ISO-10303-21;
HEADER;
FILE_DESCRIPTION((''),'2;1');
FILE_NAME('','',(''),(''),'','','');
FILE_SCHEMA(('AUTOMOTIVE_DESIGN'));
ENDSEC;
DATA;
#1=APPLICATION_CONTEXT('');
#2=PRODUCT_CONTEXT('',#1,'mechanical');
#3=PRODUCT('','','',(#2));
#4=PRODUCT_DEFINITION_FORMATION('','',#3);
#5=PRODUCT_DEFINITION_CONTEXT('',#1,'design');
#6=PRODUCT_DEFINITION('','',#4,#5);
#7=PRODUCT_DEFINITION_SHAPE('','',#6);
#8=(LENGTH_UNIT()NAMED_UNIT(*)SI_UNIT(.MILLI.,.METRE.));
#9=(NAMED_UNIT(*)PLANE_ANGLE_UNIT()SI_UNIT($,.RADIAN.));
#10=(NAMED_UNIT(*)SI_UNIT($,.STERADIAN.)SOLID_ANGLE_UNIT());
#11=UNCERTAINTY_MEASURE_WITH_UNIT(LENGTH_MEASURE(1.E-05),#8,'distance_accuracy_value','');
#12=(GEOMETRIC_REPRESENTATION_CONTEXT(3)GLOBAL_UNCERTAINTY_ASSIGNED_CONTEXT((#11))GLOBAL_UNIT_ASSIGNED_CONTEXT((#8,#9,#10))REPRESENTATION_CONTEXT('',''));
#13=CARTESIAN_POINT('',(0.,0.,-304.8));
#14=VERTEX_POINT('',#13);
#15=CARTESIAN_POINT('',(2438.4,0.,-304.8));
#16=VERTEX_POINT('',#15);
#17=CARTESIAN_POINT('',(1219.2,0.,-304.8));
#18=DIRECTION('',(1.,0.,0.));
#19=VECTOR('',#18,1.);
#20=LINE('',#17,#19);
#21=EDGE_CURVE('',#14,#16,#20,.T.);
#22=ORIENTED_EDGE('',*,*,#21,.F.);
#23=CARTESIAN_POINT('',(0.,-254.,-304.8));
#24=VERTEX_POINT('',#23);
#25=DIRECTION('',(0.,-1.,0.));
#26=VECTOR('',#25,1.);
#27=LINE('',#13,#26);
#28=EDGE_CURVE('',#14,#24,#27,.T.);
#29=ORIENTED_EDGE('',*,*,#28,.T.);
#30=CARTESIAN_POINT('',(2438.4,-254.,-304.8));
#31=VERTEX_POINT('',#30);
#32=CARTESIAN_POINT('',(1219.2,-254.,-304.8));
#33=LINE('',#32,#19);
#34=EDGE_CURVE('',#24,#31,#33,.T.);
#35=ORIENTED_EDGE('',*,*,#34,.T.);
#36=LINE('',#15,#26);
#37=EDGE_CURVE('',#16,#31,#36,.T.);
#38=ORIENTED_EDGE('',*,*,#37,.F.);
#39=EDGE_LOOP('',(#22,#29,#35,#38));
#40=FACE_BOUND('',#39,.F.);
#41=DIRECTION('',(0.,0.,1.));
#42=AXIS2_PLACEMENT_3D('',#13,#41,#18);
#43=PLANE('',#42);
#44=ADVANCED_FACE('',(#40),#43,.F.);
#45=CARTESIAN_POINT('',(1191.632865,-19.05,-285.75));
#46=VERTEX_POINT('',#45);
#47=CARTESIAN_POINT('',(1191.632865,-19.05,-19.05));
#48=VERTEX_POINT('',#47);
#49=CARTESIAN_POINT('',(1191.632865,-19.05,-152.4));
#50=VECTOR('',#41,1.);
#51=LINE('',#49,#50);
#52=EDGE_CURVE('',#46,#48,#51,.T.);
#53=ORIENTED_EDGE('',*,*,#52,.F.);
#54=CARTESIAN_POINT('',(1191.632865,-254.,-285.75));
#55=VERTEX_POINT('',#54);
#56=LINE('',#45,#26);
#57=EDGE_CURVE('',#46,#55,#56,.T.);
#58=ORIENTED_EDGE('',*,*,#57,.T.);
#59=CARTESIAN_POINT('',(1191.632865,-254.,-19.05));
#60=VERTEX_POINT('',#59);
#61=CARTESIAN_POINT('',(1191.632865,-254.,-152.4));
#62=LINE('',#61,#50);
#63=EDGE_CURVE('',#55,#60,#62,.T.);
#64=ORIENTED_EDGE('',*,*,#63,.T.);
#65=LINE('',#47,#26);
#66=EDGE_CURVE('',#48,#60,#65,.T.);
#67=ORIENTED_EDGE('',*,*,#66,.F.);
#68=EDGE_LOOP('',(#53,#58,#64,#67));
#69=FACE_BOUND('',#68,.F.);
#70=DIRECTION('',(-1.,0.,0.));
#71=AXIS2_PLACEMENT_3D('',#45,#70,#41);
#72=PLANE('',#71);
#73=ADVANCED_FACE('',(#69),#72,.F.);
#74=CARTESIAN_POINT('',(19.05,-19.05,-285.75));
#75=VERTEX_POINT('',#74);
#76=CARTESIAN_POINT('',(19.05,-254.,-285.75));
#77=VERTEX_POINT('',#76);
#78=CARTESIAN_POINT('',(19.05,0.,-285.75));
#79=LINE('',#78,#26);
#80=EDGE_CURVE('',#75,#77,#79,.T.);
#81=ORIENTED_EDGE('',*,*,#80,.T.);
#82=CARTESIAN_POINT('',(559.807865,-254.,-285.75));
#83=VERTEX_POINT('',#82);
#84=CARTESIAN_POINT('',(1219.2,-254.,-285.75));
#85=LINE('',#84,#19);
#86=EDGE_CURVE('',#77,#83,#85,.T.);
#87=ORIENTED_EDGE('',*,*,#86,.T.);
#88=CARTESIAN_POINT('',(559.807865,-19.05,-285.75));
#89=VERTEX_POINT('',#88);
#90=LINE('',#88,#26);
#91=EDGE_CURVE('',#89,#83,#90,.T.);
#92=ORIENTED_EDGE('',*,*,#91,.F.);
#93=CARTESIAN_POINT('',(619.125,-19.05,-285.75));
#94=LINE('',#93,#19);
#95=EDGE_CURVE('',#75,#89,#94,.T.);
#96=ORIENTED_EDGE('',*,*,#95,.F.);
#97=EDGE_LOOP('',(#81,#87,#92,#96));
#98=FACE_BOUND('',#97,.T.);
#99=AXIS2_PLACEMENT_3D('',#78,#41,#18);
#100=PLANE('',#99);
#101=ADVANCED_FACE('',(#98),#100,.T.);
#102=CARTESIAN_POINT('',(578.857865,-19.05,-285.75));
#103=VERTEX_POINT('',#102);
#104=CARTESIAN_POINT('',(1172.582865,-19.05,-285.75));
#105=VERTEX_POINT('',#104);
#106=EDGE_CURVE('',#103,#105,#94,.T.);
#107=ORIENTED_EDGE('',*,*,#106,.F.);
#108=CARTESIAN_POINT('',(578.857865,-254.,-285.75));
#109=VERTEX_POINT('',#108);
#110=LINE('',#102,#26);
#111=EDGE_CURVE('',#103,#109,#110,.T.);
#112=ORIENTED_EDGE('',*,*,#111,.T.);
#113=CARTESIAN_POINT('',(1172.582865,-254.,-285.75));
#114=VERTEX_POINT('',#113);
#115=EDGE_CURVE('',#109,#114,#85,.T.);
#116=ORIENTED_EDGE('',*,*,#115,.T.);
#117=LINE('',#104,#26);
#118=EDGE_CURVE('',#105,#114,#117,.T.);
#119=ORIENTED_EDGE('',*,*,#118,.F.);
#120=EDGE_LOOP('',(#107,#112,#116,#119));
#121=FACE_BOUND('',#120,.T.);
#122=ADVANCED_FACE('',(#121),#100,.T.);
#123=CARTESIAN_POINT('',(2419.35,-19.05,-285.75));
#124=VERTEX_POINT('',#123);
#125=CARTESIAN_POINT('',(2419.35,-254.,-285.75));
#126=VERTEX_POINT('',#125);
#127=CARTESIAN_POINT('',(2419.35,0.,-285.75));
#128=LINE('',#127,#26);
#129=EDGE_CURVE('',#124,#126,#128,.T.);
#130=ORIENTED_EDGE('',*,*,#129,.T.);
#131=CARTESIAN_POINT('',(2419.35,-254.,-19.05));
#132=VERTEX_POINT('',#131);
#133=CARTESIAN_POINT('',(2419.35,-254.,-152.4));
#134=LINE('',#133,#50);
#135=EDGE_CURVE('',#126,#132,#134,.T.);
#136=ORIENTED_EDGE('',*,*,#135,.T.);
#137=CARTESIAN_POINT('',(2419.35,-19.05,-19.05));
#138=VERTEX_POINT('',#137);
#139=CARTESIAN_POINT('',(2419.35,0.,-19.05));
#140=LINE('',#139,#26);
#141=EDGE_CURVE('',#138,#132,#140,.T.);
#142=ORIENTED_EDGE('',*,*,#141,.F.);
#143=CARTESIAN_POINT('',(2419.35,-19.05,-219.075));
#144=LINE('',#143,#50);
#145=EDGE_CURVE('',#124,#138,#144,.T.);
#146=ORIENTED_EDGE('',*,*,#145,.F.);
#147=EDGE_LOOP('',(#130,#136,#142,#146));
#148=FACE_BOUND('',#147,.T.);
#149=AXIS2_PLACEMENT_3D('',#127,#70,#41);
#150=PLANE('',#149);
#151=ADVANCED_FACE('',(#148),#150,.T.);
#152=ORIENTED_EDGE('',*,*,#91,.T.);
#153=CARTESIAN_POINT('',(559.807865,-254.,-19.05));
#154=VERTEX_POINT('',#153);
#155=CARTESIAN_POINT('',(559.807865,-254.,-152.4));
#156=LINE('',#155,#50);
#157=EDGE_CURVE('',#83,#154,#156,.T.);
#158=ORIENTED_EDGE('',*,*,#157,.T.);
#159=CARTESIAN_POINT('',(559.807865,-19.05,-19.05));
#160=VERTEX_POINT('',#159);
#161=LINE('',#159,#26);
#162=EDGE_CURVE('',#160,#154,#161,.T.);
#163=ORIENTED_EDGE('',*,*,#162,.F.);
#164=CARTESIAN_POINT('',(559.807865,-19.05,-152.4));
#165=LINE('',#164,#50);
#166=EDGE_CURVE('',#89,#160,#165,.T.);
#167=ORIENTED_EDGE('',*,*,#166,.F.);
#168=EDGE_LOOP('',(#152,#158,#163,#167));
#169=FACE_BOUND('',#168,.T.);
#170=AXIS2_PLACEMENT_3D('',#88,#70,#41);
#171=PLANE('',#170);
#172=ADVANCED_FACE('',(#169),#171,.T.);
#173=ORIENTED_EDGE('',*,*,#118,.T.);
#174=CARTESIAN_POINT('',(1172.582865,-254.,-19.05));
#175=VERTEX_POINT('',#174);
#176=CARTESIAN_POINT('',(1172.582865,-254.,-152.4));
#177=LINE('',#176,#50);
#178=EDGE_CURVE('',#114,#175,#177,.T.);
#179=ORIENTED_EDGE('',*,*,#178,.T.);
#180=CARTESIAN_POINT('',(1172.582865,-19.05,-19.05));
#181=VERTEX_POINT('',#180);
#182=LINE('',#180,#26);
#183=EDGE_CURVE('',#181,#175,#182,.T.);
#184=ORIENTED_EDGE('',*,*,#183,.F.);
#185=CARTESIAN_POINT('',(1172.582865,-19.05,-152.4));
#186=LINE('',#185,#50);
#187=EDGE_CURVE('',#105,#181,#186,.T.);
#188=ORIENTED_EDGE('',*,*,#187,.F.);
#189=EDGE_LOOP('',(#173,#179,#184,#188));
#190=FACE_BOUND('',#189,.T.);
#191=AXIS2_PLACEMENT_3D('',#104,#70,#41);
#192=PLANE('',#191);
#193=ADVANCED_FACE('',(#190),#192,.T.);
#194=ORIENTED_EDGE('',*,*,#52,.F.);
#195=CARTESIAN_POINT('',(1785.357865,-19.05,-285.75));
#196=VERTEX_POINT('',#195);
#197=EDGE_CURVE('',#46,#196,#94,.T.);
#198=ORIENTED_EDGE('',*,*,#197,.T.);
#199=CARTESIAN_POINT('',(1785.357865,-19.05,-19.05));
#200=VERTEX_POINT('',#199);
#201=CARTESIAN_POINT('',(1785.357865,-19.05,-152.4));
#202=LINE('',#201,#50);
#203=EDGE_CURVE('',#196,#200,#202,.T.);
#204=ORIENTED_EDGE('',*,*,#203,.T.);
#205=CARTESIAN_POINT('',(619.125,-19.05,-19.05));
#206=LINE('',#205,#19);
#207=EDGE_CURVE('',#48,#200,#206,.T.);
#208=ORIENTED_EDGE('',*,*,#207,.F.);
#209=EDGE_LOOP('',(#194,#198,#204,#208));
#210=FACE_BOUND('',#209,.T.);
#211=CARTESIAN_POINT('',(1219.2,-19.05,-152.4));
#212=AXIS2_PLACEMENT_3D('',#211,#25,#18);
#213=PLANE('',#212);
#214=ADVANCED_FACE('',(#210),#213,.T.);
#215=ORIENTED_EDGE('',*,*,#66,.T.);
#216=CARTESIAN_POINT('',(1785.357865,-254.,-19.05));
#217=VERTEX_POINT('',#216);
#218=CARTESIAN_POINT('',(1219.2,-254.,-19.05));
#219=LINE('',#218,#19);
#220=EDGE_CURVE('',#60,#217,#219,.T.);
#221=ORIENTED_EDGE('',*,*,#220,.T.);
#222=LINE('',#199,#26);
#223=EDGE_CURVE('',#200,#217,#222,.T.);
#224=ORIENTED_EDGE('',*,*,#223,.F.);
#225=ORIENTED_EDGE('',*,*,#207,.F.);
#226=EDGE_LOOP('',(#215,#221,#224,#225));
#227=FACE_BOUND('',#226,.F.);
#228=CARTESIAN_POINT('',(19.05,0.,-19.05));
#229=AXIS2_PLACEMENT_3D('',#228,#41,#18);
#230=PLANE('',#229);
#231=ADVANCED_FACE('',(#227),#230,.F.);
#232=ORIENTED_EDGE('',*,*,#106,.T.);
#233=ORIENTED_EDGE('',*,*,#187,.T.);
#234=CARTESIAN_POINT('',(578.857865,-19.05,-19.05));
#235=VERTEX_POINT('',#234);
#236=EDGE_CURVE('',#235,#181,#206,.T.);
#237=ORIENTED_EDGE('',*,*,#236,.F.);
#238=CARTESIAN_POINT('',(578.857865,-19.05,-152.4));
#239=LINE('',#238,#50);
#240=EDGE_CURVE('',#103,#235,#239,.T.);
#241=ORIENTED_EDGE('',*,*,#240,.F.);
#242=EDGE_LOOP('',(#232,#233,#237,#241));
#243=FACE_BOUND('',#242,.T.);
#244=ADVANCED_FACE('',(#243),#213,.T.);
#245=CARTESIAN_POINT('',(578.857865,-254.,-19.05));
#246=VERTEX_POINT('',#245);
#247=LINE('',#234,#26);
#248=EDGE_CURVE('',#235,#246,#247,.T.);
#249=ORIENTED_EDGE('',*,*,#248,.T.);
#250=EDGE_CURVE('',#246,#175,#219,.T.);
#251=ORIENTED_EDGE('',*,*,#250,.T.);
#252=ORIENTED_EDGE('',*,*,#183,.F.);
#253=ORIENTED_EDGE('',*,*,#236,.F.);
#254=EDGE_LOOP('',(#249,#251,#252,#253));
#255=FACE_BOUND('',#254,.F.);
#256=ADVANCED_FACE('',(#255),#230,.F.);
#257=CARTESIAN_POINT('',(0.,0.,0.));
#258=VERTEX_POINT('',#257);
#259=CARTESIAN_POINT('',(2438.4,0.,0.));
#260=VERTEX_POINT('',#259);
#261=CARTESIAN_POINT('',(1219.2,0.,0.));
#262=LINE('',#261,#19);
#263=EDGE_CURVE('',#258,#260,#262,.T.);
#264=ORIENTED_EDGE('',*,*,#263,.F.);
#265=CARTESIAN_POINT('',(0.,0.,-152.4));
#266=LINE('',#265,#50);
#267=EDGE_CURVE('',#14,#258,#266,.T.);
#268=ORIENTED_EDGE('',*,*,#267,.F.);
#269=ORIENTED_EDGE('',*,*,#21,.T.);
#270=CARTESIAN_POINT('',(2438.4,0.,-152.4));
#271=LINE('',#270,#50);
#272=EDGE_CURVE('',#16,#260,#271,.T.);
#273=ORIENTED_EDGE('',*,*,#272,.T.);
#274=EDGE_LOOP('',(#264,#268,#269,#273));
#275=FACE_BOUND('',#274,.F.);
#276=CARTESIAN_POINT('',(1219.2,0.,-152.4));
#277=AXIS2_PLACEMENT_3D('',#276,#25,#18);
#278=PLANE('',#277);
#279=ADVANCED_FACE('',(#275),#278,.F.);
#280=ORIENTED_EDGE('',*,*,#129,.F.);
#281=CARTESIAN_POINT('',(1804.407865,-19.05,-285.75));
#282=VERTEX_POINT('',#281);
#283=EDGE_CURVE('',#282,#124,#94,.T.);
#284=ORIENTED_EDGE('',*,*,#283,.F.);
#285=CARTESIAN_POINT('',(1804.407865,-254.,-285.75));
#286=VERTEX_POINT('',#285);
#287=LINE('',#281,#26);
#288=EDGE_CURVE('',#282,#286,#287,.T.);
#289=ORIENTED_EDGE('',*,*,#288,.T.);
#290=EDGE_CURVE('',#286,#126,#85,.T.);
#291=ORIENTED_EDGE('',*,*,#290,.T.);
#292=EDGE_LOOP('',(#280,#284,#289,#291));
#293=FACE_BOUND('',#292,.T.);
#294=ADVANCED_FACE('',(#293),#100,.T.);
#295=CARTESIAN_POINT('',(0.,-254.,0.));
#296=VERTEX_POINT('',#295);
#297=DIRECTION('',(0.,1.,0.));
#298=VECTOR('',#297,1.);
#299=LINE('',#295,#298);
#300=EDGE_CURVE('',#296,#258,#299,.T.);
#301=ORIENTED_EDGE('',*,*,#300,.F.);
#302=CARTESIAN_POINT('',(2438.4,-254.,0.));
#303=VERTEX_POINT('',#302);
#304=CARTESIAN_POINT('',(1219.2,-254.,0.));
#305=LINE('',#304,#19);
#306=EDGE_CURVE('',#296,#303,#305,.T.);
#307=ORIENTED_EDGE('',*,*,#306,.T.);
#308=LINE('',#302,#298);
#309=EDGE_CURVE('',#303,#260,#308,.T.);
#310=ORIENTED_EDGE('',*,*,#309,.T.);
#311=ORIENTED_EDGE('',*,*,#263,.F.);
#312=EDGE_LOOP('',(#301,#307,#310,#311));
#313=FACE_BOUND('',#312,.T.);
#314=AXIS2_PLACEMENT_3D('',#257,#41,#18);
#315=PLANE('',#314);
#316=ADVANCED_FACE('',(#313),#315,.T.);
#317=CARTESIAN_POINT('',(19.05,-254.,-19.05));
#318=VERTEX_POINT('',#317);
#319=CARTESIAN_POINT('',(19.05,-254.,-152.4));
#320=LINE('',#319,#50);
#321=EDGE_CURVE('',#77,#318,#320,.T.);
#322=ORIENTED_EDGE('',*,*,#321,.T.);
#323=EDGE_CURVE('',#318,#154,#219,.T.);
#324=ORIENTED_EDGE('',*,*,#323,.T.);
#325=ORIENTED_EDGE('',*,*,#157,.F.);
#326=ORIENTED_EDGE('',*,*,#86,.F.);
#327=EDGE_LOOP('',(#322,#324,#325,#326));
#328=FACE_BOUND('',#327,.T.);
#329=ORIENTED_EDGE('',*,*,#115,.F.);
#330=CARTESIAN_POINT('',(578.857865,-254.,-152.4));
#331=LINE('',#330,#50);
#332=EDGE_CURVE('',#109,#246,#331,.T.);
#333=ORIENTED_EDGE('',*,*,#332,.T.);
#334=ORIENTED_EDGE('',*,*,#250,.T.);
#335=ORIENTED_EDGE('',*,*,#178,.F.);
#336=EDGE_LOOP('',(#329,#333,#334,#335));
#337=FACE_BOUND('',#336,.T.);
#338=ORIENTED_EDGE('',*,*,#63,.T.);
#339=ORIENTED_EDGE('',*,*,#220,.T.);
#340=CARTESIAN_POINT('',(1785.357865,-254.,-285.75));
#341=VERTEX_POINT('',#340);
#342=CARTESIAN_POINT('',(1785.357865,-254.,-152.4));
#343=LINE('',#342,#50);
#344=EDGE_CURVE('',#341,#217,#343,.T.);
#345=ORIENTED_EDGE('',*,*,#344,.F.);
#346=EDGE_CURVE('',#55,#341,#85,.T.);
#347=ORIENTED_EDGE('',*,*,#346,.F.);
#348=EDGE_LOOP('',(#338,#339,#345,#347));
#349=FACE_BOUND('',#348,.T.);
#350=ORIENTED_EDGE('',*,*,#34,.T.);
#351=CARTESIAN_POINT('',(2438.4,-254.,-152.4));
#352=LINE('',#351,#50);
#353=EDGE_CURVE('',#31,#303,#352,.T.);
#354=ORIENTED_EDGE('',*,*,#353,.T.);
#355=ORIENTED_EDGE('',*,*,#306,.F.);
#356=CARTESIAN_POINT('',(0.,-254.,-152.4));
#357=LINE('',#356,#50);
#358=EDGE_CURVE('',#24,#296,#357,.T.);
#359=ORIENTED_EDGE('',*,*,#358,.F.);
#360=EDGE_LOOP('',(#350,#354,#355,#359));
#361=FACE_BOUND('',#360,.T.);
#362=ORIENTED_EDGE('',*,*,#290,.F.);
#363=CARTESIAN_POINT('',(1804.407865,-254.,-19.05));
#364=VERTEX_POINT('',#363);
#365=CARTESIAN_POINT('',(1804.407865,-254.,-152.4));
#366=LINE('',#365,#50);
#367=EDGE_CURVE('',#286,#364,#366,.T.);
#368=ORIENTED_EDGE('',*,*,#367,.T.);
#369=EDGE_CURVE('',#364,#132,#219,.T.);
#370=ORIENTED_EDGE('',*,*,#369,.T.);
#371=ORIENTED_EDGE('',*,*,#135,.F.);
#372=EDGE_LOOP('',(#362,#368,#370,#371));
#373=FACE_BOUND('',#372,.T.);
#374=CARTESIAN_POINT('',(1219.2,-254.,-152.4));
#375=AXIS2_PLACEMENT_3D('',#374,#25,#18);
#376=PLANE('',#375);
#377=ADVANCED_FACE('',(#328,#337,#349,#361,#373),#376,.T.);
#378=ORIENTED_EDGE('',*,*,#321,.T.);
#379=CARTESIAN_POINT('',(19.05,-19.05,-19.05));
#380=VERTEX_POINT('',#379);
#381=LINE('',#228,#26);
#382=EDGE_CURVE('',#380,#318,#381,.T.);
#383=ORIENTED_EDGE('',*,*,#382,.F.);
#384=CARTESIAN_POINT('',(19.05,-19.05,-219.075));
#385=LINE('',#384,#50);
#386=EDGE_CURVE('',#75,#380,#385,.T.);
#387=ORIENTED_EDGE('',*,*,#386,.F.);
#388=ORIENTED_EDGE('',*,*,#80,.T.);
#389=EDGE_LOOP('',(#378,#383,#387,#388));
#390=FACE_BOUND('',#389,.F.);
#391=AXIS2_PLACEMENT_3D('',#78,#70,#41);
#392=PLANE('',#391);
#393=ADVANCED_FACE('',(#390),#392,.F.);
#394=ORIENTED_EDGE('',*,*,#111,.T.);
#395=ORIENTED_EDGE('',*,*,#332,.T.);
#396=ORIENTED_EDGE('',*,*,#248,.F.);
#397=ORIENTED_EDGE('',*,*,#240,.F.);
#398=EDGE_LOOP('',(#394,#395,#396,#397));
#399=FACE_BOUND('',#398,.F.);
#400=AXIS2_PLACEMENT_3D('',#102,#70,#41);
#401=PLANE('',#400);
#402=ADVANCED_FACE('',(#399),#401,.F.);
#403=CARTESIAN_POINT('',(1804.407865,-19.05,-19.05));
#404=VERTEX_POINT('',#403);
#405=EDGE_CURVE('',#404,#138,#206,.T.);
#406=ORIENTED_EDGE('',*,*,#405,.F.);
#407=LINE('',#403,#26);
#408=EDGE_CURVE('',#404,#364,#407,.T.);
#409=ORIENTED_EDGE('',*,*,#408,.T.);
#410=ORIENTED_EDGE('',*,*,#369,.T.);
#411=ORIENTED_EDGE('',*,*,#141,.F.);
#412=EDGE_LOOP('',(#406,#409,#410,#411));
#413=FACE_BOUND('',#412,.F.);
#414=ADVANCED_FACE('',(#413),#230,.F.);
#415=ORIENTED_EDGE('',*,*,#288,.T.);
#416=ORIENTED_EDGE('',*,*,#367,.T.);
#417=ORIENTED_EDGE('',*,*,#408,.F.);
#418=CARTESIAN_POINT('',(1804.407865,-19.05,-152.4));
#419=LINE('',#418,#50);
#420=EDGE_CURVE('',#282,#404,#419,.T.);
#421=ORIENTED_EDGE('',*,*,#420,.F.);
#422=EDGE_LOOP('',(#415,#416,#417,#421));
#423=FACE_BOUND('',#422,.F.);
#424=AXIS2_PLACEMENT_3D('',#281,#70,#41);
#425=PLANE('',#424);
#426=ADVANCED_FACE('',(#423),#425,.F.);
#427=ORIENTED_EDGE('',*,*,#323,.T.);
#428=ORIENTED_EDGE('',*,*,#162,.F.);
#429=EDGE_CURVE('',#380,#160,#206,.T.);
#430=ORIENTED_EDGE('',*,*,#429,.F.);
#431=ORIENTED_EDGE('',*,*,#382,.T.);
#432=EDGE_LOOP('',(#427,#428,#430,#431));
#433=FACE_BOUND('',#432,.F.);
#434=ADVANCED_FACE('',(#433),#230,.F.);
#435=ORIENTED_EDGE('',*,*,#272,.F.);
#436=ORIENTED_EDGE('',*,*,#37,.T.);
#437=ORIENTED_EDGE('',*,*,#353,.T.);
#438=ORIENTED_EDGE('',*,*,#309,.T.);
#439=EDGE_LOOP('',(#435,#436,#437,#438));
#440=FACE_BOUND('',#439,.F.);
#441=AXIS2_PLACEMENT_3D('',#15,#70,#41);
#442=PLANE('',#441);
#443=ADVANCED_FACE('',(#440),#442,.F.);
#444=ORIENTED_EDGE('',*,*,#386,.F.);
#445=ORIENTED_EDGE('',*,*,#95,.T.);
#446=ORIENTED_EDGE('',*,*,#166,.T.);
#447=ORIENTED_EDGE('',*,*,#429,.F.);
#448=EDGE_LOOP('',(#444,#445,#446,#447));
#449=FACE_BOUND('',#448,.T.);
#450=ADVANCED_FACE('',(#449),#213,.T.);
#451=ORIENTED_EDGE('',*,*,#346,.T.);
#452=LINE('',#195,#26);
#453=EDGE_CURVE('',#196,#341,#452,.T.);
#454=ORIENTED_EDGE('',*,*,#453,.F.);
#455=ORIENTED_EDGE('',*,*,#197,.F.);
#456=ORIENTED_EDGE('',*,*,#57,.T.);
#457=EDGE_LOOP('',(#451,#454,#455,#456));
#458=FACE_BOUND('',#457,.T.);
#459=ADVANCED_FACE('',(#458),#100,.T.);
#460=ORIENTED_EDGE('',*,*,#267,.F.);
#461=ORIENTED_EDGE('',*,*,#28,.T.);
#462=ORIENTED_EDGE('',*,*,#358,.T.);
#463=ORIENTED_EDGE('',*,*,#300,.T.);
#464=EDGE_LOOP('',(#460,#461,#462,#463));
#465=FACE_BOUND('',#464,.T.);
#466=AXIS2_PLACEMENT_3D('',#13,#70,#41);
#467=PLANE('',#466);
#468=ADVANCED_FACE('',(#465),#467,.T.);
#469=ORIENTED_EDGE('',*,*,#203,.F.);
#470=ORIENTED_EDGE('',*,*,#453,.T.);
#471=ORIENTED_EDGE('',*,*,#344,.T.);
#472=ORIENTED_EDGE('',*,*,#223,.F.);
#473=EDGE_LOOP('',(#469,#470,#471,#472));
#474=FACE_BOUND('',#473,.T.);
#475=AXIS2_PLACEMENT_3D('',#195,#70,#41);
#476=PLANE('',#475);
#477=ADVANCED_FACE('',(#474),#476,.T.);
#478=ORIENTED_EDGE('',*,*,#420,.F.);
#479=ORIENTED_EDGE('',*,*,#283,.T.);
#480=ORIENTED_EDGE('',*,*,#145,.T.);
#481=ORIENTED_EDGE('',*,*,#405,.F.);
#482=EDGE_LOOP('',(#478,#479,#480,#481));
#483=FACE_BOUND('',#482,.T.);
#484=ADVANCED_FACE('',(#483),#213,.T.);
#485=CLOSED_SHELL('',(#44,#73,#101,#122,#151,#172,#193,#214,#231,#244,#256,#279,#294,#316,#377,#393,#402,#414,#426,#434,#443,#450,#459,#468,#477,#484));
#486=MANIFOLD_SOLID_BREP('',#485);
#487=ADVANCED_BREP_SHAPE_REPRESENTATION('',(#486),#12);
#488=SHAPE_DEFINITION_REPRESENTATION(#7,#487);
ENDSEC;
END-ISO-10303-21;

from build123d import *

# Parameters (mm, degrees)
F0_W     = 2438.4
F0_H     = 304.8
F0_W_2   = 2400.3
F0_H_2   = 266.7
F1_DEPTH = 254
F2_W     = 2438.4
F2_H     = 304.8
F3_DEPTH = 19.05
F4_W     = 19.05
F4_H     = 266.7
F5_DEPTH = 234.95


with BuildPart() as f1:
    # F0 (on Front) → F1 (new body)
    with BuildSketch(Plane.XZ):
        with Locations((1219.2, -152.4)):
            Rectangle(F0_W, F0_H)
        with Locations((1219.2, -152.4)):
            Rectangle(F0_W_2, F0_H_2, mode=Mode.SUBTRACT)
    extrude(amount=F1_DEPTH)

    # F2 (on Front) → F3 (join)
    with BuildSketch(Plane.XZ):
        with Locations((1219.2, -152.4)):
            Rectangle(F2_W, F2_H)
    extrude(amount=F3_DEPTH)

    # F4 (on face) → F5 (join)
    with BuildSketch(Plane.XZ.offset(19.05)):
        with Locations((1182.107865, -152.4)):
            Rectangle(F4_W, F4_H)
        with Locations((1794.882865, -152.4)):
            Rectangle(F4_W, F4_H)
        with Locations((569.332865, -152.4)):
            Rectangle(F4_W, F4_H)
    extrude(amount=F5_DEPTH)


solid = f1.part
